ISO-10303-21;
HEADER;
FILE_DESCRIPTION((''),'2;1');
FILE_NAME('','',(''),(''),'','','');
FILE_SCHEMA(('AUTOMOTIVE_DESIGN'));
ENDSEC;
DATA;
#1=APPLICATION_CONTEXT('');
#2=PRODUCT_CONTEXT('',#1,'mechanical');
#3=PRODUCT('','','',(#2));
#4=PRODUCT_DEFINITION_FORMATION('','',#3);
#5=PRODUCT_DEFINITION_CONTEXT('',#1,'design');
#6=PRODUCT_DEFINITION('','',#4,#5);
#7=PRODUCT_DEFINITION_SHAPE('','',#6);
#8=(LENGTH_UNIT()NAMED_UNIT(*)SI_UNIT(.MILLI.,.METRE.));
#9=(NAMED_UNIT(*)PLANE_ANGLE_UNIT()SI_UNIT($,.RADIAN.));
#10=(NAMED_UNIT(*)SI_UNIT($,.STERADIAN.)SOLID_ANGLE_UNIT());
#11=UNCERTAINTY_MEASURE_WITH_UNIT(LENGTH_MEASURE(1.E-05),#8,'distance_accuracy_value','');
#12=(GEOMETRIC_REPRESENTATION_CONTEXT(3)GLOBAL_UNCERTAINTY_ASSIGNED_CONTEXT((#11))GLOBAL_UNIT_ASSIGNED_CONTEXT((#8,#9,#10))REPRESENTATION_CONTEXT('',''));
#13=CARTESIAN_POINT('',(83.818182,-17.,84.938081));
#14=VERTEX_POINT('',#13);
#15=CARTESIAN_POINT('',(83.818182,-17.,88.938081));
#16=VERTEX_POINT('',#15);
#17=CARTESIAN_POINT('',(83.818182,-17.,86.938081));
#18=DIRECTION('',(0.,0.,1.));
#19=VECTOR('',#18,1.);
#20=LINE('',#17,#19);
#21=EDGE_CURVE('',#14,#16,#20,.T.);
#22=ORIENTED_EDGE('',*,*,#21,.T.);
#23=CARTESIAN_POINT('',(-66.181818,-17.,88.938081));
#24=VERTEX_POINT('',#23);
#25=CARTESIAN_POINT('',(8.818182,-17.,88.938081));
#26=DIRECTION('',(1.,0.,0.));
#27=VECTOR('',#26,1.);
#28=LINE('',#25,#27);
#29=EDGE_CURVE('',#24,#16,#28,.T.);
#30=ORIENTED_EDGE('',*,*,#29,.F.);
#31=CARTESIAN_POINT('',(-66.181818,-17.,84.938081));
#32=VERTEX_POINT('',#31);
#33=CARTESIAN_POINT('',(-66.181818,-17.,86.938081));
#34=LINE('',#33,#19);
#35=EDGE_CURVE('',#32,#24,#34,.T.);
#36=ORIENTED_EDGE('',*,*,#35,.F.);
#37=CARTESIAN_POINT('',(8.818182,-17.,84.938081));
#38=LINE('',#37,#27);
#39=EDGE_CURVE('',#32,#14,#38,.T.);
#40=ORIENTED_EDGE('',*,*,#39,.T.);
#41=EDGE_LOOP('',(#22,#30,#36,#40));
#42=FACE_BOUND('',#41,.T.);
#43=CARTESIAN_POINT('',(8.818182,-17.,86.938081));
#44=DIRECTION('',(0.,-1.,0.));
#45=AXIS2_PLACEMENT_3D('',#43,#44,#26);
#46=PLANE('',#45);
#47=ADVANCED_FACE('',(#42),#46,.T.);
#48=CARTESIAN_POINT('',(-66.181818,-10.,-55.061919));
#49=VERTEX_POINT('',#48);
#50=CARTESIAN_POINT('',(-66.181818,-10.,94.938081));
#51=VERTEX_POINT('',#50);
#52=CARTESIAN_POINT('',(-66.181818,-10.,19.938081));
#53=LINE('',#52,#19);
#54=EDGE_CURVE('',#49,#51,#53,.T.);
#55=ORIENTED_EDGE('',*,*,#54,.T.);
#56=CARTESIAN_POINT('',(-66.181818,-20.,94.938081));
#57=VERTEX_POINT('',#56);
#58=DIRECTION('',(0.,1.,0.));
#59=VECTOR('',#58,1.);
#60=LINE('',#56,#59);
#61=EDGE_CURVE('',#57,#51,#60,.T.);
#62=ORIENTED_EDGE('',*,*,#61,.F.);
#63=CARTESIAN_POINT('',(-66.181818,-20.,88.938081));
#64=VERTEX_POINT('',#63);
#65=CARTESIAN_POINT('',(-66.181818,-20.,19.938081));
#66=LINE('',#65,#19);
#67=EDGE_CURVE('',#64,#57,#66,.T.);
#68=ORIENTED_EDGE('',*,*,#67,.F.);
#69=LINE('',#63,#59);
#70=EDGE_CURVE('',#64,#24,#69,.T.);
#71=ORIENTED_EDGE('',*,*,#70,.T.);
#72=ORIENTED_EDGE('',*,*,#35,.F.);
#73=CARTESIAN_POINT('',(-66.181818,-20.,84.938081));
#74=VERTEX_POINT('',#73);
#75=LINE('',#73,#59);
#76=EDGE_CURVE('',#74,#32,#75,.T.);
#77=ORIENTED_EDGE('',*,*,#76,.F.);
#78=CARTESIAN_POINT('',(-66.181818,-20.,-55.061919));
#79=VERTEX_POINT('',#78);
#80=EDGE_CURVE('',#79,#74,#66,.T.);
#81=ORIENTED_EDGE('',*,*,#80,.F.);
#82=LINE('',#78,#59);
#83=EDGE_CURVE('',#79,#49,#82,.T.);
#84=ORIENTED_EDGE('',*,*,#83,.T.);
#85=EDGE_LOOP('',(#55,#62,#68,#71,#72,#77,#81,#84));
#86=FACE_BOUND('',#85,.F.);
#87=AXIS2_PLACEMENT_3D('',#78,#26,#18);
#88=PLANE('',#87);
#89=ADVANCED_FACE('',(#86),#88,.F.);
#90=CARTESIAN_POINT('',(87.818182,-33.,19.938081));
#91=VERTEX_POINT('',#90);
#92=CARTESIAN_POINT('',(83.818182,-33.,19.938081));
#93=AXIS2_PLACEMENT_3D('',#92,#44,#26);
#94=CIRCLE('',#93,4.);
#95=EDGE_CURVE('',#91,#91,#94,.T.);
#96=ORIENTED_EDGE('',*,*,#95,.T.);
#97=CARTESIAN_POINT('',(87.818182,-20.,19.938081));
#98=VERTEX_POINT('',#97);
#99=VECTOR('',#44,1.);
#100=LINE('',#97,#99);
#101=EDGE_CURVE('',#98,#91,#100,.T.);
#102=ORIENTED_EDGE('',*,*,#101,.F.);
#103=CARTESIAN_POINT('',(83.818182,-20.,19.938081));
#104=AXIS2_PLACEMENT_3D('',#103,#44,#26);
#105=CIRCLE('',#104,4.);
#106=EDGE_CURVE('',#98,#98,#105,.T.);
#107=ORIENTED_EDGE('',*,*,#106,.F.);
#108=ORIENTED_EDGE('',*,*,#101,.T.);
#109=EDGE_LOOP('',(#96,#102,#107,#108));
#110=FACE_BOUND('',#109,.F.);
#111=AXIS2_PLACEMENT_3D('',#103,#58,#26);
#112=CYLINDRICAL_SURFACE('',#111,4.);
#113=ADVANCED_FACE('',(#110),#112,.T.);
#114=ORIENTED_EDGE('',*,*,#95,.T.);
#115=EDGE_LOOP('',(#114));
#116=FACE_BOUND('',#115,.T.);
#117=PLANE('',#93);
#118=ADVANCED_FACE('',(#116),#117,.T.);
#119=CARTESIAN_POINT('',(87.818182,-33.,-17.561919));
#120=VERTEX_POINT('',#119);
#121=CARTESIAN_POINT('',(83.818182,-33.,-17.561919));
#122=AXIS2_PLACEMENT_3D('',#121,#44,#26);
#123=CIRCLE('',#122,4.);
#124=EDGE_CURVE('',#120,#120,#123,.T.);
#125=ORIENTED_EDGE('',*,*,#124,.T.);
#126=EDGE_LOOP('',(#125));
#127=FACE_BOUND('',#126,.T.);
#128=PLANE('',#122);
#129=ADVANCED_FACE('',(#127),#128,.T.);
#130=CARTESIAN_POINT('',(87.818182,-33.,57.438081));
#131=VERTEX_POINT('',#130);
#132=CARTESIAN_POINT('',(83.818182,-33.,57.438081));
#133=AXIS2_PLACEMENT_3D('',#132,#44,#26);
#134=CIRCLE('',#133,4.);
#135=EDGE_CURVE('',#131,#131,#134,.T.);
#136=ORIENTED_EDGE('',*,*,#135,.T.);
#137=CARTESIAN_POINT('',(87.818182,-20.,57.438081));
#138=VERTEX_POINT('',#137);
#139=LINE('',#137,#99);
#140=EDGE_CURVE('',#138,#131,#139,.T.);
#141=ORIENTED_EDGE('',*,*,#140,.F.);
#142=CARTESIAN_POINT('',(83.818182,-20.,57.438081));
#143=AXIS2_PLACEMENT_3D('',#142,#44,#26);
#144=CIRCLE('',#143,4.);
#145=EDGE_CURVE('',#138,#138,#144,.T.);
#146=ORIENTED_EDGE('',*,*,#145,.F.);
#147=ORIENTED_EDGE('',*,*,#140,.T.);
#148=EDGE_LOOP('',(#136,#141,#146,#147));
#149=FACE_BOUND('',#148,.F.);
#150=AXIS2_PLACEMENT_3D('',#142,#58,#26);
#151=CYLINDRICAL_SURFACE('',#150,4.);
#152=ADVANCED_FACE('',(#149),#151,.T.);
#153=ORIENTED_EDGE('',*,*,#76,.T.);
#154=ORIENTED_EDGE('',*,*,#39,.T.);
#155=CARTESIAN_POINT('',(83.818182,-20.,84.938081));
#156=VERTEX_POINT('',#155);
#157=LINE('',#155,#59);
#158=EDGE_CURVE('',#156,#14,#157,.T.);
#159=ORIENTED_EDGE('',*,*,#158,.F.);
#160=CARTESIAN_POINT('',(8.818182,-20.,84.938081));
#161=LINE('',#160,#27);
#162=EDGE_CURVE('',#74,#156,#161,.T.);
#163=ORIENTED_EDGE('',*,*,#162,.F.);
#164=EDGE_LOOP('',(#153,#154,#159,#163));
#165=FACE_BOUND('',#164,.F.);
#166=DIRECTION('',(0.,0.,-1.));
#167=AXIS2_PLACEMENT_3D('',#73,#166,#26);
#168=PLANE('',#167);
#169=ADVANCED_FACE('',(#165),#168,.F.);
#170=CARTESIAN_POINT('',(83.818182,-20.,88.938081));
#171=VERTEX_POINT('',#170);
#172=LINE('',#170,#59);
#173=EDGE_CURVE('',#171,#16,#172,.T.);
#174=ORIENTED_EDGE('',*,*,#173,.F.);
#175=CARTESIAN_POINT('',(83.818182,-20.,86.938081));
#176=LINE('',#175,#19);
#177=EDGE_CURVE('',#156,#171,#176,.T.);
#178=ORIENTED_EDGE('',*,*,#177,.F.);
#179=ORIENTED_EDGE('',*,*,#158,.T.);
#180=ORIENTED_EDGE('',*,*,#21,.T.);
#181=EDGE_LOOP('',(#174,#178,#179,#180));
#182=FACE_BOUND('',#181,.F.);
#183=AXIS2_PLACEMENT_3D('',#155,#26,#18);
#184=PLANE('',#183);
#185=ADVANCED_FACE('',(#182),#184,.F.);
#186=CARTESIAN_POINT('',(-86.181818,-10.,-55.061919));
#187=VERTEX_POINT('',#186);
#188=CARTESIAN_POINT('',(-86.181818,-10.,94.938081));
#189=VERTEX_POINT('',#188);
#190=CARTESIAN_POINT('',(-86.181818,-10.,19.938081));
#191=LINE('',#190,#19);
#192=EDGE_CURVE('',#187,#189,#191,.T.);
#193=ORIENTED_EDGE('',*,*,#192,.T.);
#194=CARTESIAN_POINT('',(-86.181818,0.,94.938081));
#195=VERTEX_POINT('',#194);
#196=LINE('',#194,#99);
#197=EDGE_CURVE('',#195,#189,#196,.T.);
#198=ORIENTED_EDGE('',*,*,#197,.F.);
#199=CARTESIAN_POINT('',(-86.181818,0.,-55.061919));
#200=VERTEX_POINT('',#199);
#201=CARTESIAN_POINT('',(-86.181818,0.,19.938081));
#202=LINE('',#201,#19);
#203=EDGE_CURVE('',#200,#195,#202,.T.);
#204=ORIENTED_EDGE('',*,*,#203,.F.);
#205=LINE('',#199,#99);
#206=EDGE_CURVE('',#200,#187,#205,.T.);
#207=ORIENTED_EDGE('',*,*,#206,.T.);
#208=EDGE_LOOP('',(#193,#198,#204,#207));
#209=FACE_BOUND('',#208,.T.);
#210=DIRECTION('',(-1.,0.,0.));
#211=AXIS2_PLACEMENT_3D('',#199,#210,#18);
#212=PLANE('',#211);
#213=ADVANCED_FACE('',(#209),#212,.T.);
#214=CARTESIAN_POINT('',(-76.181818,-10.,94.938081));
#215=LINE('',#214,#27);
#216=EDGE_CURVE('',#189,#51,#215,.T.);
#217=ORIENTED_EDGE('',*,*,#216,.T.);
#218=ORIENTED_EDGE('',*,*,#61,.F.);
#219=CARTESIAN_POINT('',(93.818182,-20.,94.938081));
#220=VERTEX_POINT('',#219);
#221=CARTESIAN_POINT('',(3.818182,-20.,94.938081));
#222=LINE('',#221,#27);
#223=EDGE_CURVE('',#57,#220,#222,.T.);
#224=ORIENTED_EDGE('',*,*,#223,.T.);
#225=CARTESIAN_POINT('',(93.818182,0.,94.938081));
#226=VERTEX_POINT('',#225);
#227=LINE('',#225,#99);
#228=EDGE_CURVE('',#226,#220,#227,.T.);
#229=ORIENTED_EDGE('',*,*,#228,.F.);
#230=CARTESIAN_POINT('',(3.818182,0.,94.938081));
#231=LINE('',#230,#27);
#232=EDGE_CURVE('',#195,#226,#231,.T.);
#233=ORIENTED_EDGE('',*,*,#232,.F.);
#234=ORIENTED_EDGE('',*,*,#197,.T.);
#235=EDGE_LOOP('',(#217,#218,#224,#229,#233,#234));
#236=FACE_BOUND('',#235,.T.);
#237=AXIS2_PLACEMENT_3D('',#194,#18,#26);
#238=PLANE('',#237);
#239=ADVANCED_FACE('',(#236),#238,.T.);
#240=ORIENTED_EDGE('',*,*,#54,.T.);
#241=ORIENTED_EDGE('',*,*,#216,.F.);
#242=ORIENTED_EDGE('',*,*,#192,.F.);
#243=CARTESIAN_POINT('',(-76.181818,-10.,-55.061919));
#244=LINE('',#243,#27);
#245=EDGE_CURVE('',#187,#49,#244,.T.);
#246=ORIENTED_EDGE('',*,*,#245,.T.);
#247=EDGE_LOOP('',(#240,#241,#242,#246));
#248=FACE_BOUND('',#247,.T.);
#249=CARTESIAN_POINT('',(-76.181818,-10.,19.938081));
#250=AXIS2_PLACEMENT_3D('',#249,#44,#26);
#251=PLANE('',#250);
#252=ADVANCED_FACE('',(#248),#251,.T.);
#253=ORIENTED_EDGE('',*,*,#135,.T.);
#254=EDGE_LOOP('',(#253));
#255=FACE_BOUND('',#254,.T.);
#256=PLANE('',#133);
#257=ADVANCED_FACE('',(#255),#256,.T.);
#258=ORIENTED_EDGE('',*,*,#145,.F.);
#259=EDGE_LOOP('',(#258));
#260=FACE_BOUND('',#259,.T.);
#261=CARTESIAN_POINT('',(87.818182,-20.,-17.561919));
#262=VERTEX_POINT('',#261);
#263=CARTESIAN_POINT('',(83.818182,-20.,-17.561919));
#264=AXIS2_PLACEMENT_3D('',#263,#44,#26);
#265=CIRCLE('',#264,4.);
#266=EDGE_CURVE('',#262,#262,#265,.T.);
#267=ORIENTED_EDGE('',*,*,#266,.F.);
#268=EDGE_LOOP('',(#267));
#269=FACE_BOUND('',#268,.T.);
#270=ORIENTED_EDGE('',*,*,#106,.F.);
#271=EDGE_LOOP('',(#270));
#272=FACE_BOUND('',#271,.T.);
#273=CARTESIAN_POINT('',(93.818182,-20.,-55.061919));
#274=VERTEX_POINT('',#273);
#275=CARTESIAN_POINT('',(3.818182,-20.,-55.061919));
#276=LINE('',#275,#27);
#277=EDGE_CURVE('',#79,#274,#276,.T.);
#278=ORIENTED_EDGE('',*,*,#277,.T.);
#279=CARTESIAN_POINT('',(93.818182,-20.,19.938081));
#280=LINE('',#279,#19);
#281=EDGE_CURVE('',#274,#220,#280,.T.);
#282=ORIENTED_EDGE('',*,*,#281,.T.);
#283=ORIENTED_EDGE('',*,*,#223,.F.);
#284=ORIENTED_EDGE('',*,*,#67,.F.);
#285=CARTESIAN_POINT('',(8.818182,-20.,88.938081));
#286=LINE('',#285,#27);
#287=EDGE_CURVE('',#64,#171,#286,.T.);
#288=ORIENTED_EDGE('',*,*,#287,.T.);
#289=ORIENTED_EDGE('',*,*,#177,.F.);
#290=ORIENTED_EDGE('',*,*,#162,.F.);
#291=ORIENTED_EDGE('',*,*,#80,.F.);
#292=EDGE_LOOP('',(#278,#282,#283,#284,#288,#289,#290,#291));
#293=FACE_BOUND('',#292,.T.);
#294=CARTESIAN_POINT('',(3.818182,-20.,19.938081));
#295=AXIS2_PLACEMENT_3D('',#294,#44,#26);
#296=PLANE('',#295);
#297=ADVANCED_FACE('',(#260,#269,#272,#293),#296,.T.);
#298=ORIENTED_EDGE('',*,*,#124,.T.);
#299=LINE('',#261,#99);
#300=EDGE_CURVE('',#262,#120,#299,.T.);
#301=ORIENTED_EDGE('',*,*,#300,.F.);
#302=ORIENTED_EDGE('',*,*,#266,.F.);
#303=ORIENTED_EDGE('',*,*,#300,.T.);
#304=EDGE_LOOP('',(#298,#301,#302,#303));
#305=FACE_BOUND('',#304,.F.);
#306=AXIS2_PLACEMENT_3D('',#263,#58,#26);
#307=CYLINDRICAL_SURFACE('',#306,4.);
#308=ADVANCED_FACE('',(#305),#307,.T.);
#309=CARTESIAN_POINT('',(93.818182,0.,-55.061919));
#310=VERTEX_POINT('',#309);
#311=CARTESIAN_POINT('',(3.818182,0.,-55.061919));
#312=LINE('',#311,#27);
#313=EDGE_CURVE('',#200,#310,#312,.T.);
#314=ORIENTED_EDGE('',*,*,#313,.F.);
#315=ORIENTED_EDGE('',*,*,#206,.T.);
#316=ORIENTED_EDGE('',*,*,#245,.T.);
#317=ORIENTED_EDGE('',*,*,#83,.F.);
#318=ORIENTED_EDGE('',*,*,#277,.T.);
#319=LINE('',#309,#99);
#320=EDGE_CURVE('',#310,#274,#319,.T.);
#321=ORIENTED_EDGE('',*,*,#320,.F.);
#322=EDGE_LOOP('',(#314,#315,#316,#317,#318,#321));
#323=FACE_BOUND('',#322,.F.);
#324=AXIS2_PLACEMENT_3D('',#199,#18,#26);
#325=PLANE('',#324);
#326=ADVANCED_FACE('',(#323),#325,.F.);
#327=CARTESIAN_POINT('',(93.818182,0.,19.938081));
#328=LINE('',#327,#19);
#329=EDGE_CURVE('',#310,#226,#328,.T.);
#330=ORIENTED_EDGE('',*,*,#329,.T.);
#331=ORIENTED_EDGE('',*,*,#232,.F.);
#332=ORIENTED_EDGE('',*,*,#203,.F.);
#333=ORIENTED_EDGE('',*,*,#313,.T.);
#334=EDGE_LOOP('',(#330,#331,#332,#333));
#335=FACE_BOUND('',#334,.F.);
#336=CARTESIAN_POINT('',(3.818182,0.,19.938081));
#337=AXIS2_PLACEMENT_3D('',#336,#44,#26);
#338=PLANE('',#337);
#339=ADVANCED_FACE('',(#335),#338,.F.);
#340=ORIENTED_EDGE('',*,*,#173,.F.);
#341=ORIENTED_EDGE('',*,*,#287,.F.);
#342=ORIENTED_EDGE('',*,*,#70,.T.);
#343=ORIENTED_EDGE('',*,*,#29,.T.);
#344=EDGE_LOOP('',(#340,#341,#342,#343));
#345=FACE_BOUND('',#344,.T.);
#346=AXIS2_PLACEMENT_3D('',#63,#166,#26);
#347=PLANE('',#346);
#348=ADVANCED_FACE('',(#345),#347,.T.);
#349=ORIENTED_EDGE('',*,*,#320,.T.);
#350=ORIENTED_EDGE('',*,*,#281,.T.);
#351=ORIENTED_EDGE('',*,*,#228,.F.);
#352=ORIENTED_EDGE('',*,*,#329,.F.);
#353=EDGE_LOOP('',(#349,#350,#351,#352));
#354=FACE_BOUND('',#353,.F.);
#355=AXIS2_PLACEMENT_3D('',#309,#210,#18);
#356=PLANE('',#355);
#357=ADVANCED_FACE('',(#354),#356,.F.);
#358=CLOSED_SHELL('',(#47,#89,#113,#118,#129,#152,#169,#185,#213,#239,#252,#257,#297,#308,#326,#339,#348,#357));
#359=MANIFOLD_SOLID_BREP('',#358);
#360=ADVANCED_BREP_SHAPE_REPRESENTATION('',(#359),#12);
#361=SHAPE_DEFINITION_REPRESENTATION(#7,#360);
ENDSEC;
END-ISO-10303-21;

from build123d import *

# Parameters (mm, degrees)
F0_W     = 180
F0_H     = 150
F1_DEPTH = 20
F2_W     = 20
F2_H     = 150
F3_DEPTH = 10
F4_R     = 4
F5_DEPTH = 13
F6_W     = 150
F6_H     = 4
F7_DEPTH = 3


with BuildPart() as f1:
    # F0 (on Front) → F1 (new body)
    with BuildSketch(Plane.XZ):
        with Locations((3.818182, 19.938081)):
            Rectangle(F0_W, F0_H)
    extrude(amount=F1_DEPTH)

    # F2 (on face) → F3 (cut)
    with BuildSketch(Plane.XZ.offset(20)):
        with Locations((-76.181818, 19.938081)):
            Rectangle(F2_W, F2_H)
    extrude(amount=-F3_DEPTH, mode=Mode.SUBTRACT)

    # F4 (on face) → F5 (join)
    with BuildSketch(Plane.XZ.offset(20)):
        with Locations((83.818182, 57.438081)):
            Circle(F4_R)
        with Locations((83.818182, 19.938081)):
            Circle(F4_R)
        with Locations((83.818182, -17.561919)):
            Circle(F4_R)
    extrude(amount=F5_DEPTH)

    # F6 (on face) → F7 (cut)
    with BuildSketch(Plane.XZ.offset(20)):
        with Locations((8.818182, 86.938081)):
            Rectangle(F6_W, F6_H)
    extrude(amount=-F7_DEPTH, mode=Mode.SUBTRACT)


solid = f1.part
